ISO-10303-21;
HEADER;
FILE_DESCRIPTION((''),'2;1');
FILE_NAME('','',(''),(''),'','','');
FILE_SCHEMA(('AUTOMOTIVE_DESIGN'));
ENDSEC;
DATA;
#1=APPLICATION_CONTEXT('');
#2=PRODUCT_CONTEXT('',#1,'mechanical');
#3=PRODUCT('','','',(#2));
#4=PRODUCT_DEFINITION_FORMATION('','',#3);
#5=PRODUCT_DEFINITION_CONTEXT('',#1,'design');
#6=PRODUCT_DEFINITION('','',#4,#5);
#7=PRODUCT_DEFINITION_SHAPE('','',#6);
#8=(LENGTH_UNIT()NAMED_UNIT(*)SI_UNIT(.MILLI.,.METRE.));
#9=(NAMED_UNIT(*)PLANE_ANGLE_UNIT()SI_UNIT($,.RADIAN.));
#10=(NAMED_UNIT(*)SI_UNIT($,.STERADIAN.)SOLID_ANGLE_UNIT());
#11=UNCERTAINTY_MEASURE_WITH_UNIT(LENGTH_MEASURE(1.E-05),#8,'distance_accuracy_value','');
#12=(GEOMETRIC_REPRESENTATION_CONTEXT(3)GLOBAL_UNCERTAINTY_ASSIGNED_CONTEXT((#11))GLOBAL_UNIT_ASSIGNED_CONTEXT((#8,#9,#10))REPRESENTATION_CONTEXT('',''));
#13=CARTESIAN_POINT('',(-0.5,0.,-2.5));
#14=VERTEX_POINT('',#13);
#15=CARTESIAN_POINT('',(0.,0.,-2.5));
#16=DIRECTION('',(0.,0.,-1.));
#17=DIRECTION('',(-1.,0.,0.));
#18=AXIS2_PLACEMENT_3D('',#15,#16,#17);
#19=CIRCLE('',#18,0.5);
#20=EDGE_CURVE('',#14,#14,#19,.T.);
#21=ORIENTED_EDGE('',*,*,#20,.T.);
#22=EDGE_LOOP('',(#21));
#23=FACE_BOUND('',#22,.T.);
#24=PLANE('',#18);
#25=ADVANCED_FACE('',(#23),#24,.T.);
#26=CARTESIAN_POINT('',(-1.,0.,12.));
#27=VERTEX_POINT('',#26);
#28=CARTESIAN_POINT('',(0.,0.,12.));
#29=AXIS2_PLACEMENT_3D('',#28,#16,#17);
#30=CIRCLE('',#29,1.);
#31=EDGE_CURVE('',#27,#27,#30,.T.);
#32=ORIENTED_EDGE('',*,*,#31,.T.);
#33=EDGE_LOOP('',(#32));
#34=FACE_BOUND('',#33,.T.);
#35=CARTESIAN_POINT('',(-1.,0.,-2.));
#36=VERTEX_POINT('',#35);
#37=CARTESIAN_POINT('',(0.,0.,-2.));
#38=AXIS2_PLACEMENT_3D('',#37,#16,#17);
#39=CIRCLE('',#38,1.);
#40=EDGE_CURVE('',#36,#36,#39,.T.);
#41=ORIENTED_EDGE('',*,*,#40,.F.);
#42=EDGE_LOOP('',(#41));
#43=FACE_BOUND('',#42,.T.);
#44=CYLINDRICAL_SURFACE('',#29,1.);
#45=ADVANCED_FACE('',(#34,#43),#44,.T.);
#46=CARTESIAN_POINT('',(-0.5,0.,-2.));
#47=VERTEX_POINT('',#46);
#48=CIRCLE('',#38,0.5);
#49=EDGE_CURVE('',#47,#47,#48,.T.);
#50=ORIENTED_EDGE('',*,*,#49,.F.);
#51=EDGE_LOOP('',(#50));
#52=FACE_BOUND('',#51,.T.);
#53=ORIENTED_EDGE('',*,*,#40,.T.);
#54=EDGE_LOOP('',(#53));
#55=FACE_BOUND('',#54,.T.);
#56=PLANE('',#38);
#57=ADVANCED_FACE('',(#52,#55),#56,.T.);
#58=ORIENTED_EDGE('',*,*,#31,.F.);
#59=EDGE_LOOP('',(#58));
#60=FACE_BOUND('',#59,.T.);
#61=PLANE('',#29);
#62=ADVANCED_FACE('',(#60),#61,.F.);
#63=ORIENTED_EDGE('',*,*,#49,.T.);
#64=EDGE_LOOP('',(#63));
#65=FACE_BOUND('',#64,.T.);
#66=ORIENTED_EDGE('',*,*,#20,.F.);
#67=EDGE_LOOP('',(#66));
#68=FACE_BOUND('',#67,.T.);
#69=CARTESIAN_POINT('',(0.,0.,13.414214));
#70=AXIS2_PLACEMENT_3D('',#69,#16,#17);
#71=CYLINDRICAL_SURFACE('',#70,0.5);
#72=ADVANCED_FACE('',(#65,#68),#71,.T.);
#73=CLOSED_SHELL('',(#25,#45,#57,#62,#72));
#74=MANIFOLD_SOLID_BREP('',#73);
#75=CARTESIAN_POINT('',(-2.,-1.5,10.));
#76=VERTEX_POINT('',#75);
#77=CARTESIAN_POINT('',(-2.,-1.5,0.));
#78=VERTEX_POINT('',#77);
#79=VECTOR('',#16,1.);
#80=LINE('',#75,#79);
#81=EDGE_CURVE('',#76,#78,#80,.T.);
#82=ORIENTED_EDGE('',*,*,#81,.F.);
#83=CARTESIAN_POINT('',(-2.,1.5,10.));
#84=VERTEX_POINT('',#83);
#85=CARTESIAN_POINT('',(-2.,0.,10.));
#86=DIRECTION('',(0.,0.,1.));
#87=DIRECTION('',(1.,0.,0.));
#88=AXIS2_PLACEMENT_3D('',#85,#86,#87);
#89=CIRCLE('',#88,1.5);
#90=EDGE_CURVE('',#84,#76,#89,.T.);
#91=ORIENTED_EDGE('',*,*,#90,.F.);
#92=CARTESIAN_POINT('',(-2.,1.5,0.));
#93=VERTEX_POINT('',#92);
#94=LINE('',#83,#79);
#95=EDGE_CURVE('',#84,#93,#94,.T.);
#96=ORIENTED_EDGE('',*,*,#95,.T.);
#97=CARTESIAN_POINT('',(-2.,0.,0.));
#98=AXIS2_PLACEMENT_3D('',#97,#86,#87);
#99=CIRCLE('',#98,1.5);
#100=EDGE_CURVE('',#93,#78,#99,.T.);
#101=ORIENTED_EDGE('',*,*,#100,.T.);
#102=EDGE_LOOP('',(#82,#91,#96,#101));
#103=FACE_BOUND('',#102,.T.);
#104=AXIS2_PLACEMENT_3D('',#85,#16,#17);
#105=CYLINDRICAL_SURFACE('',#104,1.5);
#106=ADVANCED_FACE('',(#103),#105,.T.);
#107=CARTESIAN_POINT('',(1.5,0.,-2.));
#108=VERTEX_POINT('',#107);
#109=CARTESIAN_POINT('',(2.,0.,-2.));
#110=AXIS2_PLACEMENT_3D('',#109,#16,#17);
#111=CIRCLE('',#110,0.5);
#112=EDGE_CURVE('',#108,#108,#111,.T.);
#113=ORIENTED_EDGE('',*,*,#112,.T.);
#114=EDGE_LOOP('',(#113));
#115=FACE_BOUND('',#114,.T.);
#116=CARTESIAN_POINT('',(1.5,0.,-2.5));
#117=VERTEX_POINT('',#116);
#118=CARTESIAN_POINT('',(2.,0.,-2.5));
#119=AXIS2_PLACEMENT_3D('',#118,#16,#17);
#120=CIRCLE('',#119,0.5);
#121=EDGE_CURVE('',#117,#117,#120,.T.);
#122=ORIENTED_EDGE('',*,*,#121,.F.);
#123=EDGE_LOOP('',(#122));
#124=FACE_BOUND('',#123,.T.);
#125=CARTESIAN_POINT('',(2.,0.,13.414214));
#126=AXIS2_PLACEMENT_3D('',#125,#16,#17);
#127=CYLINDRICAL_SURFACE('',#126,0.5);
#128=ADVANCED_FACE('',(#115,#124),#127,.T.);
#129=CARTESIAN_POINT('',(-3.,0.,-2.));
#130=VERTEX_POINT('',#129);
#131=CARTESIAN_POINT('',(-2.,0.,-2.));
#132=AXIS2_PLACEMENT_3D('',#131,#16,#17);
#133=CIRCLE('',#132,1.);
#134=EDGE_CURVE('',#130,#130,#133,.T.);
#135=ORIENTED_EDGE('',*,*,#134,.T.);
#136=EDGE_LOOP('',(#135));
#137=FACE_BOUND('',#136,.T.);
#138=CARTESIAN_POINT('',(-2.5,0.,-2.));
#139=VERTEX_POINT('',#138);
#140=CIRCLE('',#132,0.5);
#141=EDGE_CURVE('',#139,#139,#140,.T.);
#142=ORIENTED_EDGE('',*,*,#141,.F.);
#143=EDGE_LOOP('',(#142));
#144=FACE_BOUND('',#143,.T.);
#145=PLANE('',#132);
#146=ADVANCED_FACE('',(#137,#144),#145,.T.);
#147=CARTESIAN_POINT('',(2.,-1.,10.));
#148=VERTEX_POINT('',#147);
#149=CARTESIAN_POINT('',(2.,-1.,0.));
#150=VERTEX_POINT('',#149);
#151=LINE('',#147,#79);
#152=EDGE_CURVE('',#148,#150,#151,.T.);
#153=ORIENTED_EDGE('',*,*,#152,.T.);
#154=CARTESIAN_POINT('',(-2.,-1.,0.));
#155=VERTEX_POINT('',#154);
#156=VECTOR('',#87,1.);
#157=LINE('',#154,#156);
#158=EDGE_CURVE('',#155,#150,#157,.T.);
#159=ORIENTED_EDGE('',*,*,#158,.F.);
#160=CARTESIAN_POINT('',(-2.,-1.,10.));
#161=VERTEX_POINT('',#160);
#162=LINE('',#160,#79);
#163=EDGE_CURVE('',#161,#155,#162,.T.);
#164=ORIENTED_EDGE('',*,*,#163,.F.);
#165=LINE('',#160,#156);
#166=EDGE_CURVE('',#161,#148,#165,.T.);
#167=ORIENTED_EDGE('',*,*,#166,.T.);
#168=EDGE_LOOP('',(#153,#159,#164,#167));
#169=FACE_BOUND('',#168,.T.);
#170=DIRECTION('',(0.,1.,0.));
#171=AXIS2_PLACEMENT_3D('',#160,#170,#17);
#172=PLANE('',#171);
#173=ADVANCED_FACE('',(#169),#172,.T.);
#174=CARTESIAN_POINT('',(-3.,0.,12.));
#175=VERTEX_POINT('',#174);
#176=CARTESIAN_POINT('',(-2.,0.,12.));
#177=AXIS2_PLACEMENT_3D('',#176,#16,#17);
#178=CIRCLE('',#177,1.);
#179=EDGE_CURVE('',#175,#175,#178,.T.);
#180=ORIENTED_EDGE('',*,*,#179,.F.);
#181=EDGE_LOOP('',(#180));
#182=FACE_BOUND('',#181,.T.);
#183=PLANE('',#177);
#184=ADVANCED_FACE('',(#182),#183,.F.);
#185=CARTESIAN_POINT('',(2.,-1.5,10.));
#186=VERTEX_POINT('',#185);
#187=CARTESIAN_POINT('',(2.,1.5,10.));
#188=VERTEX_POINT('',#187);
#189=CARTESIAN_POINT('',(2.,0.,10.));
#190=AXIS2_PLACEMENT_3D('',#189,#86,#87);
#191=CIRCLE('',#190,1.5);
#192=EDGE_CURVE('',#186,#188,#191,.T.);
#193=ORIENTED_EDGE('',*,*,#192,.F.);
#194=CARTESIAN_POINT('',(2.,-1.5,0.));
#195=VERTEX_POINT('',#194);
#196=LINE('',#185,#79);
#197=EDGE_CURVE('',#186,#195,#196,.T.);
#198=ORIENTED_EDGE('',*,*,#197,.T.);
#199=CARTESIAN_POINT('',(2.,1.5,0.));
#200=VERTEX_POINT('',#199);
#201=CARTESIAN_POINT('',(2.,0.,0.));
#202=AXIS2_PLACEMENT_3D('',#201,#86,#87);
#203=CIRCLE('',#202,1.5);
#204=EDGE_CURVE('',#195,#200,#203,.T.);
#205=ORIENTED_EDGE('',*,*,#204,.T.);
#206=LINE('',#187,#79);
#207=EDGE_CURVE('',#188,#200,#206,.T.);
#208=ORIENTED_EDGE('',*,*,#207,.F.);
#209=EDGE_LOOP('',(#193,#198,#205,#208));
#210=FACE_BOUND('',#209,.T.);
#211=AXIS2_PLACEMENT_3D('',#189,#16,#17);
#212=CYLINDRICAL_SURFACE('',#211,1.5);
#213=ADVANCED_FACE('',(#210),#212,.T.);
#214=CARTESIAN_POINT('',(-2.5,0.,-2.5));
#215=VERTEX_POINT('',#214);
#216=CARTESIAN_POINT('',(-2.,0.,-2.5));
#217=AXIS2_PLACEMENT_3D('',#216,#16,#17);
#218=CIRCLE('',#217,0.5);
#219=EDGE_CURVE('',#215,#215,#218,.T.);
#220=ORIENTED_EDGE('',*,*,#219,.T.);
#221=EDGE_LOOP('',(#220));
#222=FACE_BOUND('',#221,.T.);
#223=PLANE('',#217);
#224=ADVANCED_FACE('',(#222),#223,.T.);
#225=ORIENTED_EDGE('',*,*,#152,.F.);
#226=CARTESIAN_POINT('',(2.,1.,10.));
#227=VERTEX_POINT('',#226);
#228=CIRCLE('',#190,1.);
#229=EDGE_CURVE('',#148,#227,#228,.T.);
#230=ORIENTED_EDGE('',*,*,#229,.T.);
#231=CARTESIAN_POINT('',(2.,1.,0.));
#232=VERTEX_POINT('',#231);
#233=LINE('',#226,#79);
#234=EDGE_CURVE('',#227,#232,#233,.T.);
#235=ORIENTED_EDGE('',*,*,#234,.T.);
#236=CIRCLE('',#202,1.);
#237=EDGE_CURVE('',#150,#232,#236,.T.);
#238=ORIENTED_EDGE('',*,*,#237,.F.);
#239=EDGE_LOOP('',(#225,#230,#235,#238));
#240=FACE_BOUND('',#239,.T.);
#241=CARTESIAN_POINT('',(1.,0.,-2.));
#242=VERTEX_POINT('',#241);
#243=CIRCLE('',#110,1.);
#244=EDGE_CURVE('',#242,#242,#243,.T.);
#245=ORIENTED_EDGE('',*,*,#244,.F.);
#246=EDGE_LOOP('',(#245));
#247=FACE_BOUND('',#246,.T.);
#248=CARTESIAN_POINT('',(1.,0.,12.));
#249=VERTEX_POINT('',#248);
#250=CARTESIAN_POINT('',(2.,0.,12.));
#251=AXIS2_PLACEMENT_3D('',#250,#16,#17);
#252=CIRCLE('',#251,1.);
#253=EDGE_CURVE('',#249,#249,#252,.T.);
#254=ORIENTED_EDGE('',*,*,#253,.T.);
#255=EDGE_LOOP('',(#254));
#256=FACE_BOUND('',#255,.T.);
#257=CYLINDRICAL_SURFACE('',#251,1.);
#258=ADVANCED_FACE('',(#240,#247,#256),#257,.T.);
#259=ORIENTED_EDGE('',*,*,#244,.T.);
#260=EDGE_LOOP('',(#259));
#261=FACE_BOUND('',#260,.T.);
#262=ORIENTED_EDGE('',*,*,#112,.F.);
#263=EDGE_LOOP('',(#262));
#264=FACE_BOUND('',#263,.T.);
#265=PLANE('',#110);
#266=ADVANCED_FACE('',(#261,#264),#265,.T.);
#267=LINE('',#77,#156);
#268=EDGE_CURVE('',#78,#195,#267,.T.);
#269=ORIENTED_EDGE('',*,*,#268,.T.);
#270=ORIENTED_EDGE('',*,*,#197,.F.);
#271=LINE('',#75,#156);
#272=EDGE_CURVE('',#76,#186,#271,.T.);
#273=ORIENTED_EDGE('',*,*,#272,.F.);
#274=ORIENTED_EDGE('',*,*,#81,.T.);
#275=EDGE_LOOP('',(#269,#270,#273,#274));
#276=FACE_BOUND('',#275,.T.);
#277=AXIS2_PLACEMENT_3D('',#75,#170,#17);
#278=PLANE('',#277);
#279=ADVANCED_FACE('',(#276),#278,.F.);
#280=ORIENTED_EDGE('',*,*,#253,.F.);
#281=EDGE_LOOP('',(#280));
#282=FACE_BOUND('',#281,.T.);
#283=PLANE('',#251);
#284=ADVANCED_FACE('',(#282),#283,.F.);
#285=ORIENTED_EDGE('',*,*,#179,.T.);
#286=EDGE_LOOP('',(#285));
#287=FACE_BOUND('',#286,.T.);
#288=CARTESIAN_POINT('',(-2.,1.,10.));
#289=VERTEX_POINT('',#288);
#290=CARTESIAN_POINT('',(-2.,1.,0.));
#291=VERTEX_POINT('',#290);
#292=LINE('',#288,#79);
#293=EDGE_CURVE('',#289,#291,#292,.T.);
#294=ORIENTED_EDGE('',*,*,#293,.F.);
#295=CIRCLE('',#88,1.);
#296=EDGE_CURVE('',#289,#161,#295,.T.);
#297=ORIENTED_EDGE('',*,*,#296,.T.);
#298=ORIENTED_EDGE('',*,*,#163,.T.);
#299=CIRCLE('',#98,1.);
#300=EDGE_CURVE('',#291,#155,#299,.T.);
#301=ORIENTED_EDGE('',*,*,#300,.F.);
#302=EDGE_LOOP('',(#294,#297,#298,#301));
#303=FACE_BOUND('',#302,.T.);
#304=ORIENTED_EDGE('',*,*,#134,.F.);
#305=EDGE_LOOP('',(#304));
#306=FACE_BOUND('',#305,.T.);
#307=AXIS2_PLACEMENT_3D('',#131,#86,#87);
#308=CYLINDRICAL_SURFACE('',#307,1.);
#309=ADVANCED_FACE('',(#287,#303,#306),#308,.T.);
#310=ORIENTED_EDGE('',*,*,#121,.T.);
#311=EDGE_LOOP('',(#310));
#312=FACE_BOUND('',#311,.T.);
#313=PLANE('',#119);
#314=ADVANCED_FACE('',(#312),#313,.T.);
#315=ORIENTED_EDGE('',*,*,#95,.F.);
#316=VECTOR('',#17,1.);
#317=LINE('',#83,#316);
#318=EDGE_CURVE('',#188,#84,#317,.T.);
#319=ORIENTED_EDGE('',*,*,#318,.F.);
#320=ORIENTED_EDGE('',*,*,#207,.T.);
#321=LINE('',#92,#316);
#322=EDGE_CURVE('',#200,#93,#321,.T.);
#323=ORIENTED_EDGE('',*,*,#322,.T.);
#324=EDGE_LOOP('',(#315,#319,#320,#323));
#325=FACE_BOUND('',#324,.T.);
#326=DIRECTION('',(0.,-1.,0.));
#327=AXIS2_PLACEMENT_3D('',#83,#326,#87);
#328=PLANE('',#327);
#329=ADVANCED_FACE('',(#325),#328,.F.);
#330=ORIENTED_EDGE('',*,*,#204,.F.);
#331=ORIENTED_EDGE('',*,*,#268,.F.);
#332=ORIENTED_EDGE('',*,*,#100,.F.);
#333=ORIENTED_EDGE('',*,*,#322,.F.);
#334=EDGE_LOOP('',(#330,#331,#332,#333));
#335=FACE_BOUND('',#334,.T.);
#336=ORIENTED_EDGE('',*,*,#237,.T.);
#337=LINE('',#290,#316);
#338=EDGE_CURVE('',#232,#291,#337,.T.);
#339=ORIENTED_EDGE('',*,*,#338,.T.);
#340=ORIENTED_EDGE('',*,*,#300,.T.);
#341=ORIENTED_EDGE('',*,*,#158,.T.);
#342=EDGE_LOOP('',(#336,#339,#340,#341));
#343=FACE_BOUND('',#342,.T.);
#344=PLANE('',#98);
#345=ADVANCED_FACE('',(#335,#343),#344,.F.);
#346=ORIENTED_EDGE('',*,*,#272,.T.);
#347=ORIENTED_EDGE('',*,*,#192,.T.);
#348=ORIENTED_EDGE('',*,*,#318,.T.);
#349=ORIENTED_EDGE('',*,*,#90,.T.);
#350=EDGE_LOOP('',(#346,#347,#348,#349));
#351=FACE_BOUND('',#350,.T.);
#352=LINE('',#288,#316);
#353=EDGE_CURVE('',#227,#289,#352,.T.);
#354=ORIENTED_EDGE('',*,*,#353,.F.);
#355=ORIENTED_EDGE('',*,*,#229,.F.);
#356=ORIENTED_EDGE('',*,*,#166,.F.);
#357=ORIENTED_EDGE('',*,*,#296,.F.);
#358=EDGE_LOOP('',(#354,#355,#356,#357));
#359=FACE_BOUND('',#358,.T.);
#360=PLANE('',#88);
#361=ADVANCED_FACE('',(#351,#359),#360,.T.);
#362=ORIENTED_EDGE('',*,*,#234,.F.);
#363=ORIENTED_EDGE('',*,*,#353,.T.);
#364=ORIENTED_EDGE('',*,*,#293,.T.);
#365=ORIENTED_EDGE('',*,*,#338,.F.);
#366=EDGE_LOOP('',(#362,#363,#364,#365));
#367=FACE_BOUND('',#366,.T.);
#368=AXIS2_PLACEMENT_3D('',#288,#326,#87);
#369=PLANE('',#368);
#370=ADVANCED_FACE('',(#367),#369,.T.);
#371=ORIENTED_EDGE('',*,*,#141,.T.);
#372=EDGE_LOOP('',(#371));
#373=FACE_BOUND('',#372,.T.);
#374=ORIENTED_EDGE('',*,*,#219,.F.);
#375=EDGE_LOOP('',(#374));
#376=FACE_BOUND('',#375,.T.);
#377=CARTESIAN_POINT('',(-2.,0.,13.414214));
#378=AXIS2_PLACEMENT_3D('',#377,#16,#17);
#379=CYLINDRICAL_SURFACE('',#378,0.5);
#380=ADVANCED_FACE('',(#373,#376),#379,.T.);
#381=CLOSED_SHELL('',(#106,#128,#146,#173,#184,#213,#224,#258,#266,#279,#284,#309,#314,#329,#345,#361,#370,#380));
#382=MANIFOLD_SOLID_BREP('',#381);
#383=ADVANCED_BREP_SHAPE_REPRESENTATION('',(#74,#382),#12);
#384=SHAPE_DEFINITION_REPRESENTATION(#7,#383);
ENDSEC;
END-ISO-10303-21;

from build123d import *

# Parameters (mm, degrees)
EXTRUDE_THIN1_DEPTH      = 10
SKETCH2_R                = 1
SKETCH2_R_2              = 0.5
EXTRUDE_THIN2_DEPTH      = 2
EXTRUDE_THIN2_DEPTH_BACK = 12
SKETCH3_R                = 0.5
BOSS_EXTRUDE1_DEPTH      = 0.5
BOSS_EXTRUDE1_DEPTH_BACK = 14


with BuildPart() as part:
    # Sketch1 → Extrude-Thin1 (new body)
    with BuildSketch(Plane.XY):
        with BuildLine():
            Line((2, -1.5), (-2, -1.5))
            ThreePointArc((-2, -1.5), (-3.5, 0), (-2, 1.5))
            Line((-2, 1.5), (2, 1.5))
            ThreePointArc((2, 1.5), (3.5, 0), (2, -1.5))
        make_face()
        with BuildLine():
            Line((2, -1), (-2, -1))
            ThreePointArc((-2, -1), (-3, 0), (-2, 1))
            Line((-2, 1), (2, 1))
            ThreePointArc((2, 1), (3, 0), (2, -1))
        make_face(mode=Mode.SUBTRACT)
    extrude(amount=EXTRUDE_THIN1_DEPTH)

    # Sketch2 → Extrude-Thin2 (add, two sides)
    with BuildSketch(Plane(origin=(0, 0, 0), x_dir=(-1, 0, 0), z_dir=(0, 0, -1))) as extrude_thin2_sk:
        Circle(SKETCH2_R)
        Circle(SKETCH2_R_2, mode=Mode.SUBTRACT)
        with Locations((2, 0)):
            Circle(SKETCH2_R)
        with Locations((2, 0)):
            Circle(SKETCH2_R_2, mode=Mode.SUBTRACT)
        with Locations((-2, 0)):
            Circle(SKETCH2_R)
        with Locations((-2, 0)):
            Circle(SKETCH2_R_2, mode=Mode.SUBTRACT)
    extrude(amount=EXTRUDE_THIN2_DEPTH)
    extrude(extrude_thin2_sk.sketch, amount=-EXTRUDE_THIN2_DEPTH_BACK)

    # Sketch3 → Boss-Extrude1 (add, two sides)
    with BuildSketch(Plane(origin=(0, 0, -2), x_dir=(-1, 0, 0), z_dir=(0, 0, -1))) as boss_extrude1_sk:
        with Locations((-2, 0)):
            Circle(SKETCH3_R)
        Circle(SKETCH3_R)
        with Locations((2, 0)):
            Circle(SKETCH3_R)
    extrude(amount=BOSS_EXTRUDE1_DEPTH)
    extrude(boss_extrude1_sk.sketch, amount=-BOSS_EXTRUDE1_DEPTH_BACK)


solid = part.part
